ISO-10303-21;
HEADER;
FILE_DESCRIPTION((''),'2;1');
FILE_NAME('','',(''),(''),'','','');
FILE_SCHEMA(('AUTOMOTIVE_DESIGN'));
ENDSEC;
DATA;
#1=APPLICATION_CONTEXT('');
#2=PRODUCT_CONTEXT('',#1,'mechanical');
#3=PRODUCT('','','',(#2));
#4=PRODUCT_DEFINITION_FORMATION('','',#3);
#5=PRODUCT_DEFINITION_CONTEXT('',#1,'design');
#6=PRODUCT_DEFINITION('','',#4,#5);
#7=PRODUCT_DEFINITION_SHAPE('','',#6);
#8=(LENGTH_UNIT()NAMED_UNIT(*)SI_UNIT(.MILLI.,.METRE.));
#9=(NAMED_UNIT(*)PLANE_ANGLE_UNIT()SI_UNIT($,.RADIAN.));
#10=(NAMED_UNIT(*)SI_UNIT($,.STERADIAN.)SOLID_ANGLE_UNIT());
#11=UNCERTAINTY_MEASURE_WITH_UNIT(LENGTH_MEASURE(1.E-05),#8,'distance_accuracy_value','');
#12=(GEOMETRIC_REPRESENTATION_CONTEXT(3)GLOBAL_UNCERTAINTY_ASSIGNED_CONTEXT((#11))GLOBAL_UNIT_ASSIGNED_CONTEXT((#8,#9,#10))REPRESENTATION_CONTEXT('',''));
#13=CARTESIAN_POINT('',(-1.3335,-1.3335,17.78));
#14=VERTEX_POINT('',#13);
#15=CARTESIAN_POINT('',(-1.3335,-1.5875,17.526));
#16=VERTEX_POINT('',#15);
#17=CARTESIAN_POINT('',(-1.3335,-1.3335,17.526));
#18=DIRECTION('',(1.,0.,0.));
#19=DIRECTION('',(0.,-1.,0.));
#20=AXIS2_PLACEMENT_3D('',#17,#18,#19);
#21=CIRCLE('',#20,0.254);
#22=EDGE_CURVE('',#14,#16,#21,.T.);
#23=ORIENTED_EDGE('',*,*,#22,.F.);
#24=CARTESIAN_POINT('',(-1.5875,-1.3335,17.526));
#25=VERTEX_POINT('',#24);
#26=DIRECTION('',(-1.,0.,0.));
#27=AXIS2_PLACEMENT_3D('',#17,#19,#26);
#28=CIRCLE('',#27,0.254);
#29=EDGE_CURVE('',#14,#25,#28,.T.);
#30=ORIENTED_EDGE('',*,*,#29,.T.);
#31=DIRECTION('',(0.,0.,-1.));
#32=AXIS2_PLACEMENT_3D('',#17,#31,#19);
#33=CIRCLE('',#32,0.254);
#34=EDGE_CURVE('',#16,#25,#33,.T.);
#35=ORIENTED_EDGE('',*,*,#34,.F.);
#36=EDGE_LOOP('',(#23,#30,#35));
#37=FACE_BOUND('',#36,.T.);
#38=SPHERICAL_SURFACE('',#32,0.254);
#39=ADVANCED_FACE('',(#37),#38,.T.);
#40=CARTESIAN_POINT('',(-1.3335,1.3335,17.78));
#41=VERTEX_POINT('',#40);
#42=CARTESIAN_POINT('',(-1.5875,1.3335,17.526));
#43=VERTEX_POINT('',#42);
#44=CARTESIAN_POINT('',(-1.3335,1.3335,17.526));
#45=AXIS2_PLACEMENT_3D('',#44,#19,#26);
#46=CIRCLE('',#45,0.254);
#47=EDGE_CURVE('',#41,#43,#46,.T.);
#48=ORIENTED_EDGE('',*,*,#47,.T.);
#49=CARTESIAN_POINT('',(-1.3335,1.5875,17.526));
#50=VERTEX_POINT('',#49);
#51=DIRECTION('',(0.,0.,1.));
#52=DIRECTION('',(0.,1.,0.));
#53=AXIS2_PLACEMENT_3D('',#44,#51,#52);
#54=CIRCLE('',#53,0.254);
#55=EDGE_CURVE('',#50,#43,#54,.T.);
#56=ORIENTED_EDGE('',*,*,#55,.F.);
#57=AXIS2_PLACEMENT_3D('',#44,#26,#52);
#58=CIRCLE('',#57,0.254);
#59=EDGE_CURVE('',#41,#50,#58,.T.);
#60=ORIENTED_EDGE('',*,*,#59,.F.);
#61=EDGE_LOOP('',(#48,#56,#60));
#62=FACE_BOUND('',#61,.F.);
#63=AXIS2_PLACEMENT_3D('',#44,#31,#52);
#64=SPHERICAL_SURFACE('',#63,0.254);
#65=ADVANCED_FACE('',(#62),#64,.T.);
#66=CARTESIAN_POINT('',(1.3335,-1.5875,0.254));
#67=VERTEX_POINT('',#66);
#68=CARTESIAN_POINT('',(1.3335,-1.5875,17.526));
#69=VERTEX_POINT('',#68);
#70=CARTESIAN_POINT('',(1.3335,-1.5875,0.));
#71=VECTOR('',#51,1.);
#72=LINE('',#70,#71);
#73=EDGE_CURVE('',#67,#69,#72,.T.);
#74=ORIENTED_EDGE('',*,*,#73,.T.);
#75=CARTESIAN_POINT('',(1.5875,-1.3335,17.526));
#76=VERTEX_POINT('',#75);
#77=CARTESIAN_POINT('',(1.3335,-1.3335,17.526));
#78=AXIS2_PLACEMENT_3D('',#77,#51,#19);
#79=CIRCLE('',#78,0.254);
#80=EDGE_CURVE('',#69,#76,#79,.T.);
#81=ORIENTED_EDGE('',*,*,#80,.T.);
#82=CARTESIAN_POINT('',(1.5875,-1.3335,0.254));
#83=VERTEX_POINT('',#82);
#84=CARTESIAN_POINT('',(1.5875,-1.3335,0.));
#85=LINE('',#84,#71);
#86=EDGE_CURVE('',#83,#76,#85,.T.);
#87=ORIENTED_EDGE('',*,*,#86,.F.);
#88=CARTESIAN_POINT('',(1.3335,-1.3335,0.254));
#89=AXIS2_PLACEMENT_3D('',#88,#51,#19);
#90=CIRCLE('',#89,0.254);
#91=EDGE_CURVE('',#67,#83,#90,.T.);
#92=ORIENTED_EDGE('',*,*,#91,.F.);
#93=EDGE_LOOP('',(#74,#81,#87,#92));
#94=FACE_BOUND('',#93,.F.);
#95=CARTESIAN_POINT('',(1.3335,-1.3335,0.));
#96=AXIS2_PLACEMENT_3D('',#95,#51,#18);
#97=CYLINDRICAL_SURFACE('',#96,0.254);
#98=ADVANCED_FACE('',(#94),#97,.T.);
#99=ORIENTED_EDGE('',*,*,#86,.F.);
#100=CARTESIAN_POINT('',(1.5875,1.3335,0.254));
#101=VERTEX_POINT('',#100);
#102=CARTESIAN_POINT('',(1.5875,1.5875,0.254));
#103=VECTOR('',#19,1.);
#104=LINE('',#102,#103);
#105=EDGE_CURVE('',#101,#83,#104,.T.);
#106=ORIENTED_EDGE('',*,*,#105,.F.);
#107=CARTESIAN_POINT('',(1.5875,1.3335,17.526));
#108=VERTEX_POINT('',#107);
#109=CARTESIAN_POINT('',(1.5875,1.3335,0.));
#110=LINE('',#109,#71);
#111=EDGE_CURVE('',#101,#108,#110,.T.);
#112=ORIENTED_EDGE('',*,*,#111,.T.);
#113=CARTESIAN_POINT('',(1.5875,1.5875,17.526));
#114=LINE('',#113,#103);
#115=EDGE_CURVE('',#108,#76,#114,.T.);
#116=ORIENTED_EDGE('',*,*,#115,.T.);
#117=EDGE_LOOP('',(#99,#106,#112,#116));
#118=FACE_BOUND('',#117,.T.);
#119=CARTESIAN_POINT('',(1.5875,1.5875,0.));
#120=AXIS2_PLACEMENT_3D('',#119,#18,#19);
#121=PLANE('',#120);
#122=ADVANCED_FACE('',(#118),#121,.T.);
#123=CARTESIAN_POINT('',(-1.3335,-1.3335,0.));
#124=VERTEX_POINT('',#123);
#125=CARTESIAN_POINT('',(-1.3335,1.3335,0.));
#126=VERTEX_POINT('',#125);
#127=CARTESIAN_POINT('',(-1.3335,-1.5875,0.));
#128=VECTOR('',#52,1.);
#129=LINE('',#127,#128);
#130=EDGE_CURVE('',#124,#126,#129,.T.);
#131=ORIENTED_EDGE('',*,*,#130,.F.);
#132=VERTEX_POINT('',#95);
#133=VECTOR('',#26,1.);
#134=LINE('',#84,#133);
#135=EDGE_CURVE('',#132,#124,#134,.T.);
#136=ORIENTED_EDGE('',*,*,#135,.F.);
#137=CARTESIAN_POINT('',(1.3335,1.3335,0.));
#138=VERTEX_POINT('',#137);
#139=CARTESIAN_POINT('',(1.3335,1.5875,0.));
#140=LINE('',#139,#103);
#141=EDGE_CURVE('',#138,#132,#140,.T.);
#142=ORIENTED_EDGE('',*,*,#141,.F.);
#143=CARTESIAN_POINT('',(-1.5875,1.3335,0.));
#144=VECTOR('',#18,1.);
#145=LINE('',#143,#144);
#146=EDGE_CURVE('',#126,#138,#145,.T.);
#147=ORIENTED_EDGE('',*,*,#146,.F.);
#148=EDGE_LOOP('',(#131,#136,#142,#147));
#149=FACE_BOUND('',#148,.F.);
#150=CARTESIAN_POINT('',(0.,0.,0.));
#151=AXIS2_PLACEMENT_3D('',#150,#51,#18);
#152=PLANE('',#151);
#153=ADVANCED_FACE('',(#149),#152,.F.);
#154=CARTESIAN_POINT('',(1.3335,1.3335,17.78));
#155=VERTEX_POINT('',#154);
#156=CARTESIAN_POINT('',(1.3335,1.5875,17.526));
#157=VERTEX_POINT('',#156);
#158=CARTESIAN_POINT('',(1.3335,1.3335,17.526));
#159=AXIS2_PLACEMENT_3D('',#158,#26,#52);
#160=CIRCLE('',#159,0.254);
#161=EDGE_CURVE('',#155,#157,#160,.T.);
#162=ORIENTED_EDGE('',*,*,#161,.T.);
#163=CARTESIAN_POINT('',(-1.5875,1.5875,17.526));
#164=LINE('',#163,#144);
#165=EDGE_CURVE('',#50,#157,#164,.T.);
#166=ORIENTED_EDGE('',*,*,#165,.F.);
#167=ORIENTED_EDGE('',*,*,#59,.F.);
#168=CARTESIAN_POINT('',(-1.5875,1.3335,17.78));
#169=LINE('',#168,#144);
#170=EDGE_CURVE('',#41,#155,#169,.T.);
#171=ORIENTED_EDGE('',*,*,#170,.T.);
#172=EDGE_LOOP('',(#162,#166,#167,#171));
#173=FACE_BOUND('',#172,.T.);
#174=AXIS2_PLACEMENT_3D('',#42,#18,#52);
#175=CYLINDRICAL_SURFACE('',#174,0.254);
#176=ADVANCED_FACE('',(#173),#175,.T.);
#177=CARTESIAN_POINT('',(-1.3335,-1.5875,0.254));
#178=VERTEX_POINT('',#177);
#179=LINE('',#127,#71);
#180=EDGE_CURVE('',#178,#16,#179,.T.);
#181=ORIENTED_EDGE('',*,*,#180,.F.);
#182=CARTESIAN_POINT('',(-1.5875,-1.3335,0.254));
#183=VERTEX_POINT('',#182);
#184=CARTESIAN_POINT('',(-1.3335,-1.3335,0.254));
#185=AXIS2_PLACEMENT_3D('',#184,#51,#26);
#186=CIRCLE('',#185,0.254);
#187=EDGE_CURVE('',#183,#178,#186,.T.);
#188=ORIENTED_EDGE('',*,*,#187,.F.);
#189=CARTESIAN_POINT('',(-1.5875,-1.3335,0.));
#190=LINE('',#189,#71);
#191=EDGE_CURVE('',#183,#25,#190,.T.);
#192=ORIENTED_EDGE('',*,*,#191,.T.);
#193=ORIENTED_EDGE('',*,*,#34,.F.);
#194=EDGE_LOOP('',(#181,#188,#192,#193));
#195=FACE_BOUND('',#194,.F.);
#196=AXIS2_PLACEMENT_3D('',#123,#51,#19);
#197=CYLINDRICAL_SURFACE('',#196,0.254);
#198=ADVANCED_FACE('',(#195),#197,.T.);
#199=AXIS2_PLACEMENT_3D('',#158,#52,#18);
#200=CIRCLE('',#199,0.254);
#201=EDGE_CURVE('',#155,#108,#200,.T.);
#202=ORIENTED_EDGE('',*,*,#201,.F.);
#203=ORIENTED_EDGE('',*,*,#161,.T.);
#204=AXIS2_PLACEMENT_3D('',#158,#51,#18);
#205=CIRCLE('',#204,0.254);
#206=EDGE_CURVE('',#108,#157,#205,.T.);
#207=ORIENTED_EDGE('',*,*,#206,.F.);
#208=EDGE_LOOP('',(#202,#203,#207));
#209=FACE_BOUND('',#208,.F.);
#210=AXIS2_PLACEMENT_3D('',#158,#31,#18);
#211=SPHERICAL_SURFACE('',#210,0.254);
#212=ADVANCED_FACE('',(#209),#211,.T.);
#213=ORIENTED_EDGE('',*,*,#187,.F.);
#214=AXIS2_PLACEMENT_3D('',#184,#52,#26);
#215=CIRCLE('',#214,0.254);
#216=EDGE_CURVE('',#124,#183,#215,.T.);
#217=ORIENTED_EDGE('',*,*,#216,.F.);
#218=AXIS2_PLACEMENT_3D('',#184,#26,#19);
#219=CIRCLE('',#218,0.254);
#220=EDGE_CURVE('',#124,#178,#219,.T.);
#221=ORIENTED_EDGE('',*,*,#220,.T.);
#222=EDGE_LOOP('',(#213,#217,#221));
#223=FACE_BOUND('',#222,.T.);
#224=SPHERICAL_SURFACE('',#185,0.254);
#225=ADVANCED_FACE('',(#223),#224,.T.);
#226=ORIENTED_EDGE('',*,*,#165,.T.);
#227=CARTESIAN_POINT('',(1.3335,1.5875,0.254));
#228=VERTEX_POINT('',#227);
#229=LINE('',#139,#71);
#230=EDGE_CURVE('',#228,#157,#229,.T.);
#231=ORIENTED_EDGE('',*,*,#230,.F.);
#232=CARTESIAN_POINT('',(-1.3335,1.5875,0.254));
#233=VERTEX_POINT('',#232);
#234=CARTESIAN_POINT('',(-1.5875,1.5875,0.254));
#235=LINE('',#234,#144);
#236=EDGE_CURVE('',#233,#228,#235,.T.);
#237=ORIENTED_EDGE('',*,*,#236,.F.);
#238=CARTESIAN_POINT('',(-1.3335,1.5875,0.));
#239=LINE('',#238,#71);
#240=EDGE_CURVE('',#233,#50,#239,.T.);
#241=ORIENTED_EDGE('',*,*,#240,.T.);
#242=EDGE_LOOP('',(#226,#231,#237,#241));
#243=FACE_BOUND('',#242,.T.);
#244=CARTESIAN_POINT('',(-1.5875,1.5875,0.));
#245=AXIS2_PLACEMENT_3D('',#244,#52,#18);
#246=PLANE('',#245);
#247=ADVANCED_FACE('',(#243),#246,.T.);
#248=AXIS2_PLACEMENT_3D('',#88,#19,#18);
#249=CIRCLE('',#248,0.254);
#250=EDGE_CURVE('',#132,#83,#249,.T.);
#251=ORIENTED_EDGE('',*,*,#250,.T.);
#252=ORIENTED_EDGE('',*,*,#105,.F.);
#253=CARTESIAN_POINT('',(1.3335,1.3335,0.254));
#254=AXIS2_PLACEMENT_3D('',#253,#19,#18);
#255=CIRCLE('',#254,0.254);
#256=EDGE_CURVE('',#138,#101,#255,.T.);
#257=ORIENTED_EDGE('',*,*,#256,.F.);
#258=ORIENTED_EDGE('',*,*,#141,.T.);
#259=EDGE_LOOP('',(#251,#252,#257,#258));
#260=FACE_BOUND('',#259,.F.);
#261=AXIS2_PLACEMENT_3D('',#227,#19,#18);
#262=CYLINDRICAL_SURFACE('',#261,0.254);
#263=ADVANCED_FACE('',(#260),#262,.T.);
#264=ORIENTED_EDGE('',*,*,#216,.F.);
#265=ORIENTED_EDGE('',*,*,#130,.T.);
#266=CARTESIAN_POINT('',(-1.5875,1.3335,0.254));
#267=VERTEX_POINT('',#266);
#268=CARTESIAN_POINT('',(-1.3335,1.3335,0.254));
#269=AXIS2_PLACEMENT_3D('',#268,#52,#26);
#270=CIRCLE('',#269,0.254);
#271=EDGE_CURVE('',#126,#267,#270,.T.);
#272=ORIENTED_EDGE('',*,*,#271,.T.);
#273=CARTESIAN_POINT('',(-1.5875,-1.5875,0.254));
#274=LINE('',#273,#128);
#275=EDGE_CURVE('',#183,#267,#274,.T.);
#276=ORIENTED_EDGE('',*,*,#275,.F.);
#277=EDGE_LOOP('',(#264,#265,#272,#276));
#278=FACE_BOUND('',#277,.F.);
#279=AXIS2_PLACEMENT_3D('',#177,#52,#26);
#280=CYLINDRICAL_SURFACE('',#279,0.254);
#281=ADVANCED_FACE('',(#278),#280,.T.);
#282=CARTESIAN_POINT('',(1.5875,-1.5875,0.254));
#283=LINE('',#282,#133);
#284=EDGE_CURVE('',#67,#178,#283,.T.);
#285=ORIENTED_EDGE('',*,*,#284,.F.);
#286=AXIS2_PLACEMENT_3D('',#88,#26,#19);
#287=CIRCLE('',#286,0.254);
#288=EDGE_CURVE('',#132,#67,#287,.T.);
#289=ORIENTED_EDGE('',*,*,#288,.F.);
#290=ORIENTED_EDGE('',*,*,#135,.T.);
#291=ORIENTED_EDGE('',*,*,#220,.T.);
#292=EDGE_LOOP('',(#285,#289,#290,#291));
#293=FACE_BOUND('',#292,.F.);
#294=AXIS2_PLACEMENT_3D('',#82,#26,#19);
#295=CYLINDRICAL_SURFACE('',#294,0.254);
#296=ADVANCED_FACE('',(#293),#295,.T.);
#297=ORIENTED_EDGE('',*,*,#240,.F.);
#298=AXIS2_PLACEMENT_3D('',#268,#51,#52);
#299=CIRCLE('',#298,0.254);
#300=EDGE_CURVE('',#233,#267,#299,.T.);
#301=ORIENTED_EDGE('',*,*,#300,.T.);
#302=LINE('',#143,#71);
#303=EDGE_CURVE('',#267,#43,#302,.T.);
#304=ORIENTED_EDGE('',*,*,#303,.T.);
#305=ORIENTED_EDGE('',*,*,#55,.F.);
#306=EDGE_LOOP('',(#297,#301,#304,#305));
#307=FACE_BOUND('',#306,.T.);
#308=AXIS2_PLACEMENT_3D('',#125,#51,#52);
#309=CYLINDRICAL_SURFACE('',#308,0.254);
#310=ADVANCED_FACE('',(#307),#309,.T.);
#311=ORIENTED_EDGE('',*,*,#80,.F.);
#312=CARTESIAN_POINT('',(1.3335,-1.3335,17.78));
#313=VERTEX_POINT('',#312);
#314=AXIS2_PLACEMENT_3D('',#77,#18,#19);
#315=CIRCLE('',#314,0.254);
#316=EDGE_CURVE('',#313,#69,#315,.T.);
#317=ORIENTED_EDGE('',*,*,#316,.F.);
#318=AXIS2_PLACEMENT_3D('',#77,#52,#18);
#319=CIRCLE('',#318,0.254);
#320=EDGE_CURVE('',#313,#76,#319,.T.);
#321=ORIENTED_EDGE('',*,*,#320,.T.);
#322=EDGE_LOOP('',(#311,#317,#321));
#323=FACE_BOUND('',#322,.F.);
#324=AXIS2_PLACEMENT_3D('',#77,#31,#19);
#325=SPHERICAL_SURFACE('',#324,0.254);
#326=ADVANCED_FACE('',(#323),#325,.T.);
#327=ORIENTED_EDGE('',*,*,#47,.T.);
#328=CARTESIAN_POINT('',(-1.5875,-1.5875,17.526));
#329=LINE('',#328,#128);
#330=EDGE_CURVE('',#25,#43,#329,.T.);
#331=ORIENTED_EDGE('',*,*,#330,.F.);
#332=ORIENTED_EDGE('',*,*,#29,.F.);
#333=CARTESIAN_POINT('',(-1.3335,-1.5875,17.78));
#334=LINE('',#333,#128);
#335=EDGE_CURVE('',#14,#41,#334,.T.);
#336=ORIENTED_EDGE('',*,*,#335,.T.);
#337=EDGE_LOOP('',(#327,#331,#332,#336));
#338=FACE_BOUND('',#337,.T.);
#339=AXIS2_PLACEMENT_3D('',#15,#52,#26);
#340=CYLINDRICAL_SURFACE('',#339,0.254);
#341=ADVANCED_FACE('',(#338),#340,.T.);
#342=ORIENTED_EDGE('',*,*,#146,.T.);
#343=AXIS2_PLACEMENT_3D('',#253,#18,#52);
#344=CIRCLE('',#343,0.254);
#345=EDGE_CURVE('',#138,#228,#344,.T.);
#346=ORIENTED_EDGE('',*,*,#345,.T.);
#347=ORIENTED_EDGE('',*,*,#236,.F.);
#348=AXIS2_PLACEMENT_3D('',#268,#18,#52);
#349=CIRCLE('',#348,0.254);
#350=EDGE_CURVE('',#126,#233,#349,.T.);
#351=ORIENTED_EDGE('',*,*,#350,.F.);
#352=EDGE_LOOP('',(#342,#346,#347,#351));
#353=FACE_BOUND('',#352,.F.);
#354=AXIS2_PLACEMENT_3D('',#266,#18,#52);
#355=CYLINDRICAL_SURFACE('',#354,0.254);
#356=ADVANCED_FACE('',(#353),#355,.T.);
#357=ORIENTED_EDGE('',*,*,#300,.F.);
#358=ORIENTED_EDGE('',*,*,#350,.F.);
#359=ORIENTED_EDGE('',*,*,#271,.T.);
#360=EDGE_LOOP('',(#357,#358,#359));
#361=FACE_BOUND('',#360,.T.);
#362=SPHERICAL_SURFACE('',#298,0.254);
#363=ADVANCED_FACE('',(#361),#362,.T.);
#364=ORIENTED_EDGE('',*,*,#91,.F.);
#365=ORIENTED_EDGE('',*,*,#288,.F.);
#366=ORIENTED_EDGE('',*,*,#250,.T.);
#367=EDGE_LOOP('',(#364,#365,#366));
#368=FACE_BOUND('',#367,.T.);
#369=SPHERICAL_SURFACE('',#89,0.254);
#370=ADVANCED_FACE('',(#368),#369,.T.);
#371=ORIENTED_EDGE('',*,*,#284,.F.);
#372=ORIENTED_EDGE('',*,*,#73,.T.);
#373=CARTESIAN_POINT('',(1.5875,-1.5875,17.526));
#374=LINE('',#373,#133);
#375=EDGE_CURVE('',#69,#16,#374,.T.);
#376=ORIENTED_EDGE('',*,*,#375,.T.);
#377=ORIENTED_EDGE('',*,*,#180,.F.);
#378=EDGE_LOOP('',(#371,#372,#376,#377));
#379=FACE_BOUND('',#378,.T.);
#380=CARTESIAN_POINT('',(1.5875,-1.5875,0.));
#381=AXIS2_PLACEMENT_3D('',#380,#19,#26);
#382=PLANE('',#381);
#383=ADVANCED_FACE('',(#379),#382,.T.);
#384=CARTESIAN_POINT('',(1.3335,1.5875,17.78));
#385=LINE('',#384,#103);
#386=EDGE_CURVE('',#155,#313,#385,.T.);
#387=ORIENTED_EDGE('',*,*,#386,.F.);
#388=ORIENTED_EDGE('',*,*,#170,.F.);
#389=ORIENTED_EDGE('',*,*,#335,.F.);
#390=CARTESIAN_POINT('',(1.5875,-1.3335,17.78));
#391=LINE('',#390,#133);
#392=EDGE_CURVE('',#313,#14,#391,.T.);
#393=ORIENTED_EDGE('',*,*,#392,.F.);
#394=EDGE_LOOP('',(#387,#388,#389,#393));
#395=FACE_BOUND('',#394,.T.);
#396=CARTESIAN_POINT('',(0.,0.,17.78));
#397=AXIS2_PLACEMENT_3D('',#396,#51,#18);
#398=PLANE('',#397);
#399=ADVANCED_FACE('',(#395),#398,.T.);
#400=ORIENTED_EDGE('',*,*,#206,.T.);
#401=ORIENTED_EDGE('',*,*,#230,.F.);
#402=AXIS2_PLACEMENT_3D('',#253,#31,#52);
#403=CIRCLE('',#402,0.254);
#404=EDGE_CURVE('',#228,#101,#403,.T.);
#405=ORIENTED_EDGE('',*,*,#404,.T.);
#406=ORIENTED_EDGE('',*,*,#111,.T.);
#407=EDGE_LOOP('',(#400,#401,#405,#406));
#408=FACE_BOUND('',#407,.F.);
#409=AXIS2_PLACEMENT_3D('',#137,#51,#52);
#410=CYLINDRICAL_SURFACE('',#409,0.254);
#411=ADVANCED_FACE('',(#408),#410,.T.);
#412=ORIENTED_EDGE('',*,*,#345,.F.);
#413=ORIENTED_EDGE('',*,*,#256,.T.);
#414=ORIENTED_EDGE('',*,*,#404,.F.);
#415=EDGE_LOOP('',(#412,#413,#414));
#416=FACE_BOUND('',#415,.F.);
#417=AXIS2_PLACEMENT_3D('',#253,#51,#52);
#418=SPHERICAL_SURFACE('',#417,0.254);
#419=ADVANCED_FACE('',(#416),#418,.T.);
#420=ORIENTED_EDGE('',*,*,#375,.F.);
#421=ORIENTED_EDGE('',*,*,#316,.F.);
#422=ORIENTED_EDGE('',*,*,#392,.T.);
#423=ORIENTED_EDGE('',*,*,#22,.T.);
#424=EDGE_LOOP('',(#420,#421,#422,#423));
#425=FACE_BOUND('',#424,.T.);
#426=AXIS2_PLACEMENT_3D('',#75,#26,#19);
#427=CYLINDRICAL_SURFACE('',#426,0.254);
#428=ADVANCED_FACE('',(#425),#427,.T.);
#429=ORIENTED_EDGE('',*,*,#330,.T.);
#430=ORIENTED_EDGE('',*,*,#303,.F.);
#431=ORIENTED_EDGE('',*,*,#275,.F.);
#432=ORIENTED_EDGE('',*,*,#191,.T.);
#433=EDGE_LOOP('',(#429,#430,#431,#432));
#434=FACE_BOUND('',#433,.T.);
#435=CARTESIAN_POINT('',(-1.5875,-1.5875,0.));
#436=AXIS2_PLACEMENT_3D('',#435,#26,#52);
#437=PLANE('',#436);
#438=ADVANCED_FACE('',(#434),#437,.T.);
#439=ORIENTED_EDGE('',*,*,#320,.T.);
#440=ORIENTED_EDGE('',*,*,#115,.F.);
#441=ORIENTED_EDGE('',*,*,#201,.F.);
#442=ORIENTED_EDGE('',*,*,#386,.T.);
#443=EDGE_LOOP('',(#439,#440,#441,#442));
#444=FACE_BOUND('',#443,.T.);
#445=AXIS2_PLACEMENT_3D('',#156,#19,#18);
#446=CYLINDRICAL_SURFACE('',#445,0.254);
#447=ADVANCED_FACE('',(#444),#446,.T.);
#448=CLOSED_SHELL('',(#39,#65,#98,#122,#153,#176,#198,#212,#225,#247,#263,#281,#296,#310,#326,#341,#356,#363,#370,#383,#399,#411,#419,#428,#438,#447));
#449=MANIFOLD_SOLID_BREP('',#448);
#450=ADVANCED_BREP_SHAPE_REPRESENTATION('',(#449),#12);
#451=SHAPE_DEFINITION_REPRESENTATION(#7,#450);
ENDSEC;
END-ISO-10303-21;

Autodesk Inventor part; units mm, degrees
ref_plane "YZ Plane" through (0, 0, 0) normal (1, 0, 0) x (0, 1, 0)
ref_plane "XZ Plane" through (0, 0, 0) normal (0, 1, 0) x (-1, 0, 0)
ref_plane "XY Plane" through (0, 0, 0) normal (0, 0, 1) x (1, 0, 0)
sketch "Sketch1" plane through (0, 0, 0) normal (0, 0, 1) x (1, 0, 0)
  line L0 (-1.5875, 1.5875) -> (1.5875, 1.5875)
  line L1 (1.5875, 1.5875) -> (1.5875, -1.5875)
  line L2 (1.5875, -1.5875) -> (-1.5875, -1.5875)
  line L3 (-1.5875, -1.5875) -> (-1.5875, 1.5875)
  point P0 (0, 0)
  dimension "d0" = 3.175
  dimension "d1" = 3.175
  dimension "d2" = 1.5875
  dimension "d3" = 1.5875
extrude "Extrusion1" add sketch "Sketch1" along normal blind 17.78
fillet "Fillet1" radius 0.254 12 edges at (1.5875, 1.5875, 8.89) (-1.5875, 1.5875, 8.89) (-1.5875, -1.5875, 8.89) (1.5875, -1.5875, 8.89) (0, -1.5875, 17.78) (1.5875, 0, 17.78) (0, 1.5875, 17.78) (-1.5875, 0, 17.78) (0, 1.5875, 0) (-1.5875, 0, 0) (0, -1.5875, 0) (1.5875, 0, 0)
equation "\"d1\" = d0"
equation "\"d2\" = 0.5 * d1"
equation "\"d3\" = 0.5 * d0"
properties part number "wheel_key" material "Steel, High Strength Low Alloy"
